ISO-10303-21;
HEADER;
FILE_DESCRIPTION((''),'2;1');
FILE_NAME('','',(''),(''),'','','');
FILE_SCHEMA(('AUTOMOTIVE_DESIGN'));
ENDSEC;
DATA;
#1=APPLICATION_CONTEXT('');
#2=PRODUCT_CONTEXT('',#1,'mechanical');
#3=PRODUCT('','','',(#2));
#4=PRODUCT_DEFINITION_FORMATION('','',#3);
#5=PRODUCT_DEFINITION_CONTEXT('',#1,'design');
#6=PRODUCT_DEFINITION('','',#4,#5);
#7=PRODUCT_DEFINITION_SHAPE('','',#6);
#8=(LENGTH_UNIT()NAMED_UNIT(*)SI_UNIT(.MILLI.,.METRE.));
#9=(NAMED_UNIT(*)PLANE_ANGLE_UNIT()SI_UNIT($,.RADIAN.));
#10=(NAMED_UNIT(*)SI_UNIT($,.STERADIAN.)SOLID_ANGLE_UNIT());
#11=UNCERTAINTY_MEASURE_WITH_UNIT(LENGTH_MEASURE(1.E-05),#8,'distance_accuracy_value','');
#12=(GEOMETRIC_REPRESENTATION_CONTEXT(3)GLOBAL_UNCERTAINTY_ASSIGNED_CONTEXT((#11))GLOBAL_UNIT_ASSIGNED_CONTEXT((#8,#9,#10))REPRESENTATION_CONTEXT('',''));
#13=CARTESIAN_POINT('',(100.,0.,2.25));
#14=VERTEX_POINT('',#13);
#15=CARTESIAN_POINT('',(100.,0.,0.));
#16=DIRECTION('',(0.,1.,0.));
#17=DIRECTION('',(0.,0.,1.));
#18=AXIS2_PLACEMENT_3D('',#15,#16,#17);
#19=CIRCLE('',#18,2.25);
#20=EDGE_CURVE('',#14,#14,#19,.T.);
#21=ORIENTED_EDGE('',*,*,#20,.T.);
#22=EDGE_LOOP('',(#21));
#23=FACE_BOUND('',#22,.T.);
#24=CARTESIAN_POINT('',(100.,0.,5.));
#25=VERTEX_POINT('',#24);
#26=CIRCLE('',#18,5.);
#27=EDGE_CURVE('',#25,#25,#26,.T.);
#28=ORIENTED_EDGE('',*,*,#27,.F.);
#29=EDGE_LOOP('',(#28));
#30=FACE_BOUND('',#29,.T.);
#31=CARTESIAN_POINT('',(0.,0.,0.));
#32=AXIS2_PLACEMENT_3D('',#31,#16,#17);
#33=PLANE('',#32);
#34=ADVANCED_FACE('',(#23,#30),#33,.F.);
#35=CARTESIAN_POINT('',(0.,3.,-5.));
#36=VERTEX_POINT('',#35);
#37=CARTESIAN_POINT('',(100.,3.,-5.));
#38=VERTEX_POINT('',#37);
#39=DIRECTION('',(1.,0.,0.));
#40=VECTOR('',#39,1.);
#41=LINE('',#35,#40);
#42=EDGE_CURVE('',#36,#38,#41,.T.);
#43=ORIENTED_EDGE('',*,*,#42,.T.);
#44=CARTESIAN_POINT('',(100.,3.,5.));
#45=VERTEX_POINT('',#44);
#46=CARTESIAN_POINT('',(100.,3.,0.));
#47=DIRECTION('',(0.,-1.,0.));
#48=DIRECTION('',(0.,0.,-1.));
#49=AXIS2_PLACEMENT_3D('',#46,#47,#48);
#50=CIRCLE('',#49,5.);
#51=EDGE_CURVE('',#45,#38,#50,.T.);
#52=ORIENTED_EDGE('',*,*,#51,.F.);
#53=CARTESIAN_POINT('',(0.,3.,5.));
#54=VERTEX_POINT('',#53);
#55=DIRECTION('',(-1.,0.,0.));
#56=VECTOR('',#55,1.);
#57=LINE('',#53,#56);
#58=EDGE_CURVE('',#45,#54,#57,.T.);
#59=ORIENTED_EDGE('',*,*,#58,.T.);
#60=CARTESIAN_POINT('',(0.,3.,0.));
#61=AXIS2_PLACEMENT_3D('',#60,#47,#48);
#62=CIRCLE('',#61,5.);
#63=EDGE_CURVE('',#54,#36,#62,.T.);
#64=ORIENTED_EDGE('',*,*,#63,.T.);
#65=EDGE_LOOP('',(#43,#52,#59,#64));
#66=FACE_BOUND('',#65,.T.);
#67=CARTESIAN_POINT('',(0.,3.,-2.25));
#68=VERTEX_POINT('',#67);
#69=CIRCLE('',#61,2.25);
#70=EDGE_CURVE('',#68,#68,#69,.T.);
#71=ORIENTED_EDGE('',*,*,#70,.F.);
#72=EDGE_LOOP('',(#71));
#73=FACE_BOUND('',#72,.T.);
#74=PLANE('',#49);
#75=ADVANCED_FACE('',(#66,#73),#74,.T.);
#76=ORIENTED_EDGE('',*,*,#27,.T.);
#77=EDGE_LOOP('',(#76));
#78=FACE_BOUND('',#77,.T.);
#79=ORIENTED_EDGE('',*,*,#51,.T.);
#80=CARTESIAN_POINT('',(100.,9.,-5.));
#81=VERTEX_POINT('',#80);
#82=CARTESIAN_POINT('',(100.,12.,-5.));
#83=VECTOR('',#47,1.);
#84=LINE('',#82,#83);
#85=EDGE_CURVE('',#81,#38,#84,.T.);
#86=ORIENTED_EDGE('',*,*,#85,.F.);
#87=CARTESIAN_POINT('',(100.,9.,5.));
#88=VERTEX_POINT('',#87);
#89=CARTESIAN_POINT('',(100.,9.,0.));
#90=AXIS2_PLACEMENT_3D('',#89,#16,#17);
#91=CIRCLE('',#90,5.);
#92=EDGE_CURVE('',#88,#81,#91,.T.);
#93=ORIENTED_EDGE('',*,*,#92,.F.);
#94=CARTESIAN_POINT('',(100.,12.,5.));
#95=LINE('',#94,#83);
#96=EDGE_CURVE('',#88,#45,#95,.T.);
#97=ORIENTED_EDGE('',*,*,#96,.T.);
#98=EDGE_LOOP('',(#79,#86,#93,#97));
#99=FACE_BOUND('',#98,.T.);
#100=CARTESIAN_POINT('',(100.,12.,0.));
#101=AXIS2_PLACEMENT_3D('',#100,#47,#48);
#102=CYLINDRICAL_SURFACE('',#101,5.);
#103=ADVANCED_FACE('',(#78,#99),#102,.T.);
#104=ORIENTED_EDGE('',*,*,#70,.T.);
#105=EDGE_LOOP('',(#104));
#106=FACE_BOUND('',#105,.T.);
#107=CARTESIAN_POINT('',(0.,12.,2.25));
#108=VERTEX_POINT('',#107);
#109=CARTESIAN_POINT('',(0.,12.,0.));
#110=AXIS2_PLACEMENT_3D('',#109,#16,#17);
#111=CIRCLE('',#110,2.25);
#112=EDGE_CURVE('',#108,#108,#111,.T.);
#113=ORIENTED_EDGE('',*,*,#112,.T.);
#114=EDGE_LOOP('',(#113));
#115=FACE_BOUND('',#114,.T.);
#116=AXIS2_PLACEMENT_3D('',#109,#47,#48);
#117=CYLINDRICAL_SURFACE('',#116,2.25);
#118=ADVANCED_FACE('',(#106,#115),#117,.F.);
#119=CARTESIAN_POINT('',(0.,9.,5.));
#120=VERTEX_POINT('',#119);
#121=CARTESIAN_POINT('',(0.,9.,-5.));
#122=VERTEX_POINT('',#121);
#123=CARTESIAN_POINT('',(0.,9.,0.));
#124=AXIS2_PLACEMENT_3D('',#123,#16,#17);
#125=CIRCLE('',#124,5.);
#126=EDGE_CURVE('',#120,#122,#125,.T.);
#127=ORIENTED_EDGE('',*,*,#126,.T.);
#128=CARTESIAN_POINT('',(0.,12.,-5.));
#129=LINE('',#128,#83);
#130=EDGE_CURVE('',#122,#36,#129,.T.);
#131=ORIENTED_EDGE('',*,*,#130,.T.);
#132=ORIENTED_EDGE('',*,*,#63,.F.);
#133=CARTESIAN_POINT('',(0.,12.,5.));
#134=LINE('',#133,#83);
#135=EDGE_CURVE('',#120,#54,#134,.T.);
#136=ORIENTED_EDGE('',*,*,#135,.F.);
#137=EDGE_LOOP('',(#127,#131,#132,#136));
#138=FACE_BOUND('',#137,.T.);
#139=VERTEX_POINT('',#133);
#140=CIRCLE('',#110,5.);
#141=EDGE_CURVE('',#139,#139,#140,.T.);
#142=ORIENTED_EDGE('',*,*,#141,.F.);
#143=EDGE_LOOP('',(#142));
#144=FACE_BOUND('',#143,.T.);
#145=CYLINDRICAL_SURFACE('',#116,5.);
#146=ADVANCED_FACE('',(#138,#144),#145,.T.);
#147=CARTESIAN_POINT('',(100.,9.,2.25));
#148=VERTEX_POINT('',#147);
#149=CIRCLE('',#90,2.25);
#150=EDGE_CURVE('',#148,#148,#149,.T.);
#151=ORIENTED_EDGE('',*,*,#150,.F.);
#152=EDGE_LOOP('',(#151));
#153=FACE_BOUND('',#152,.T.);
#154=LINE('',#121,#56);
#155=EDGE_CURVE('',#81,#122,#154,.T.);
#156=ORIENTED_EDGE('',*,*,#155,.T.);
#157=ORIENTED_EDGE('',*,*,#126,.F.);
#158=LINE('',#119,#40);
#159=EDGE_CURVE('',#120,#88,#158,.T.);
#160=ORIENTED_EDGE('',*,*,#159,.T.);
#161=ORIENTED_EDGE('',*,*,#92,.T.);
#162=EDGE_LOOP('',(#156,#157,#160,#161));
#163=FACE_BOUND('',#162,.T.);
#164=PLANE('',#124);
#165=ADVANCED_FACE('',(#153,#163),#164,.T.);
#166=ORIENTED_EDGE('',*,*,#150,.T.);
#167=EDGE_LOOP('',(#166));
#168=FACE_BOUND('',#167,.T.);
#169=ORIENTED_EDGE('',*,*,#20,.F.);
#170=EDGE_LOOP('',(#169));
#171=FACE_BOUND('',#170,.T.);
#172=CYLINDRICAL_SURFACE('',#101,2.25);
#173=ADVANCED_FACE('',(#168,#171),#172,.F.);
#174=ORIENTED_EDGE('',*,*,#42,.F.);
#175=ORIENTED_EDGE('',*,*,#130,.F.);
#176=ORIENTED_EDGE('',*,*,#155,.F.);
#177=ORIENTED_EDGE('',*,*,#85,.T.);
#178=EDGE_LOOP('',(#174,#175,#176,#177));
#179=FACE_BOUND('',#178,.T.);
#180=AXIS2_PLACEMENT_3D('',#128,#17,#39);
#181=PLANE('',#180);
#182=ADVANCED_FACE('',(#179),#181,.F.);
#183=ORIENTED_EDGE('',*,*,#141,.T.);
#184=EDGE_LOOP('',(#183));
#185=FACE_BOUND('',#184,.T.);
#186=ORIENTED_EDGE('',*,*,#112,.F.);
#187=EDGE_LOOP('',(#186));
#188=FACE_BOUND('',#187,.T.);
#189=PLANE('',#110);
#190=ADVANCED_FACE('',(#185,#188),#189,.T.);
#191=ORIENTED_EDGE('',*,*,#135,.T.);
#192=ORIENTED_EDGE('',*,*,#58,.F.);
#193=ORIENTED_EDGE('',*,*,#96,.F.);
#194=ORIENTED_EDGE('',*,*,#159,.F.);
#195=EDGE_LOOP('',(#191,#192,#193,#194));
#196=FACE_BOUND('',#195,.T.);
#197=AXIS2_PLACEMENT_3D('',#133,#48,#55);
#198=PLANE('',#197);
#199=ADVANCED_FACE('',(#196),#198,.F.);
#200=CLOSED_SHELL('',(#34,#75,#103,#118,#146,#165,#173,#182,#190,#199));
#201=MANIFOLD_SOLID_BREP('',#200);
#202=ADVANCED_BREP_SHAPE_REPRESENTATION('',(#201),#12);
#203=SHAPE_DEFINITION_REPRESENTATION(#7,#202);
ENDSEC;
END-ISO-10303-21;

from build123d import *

# Parameters (mm, degrees)
SKETCH1_R               = 2.25
BOSS_EXTRUDE1_DEPTH     = 12
CUT_EXTRUDE_THIN1_START = -3
SKETCH2_R               = 1005
SKETCH2_R_2             = 5
CUT_EXTRUDE_THIN1_DEPTH = 3
SKETCH3_R               = 1005
SKETCH3_R_2             = 5
CUT_EXTRUDE_THIN2_DEPTH = 3


with BuildPart() as part:
    # Sketch1 → Boss-Extrude1 (new body)
    with BuildSketch(Plane(origin=(0, 0, 0), x_dir=(1, 0, 0), z_dir=(0, 1, 0))):
        with BuildLine():
            Line((0, 5), (100, 5))
            ThreePointArc((100, 5), (105, 0), (100, -5))
            Line((100, -5), (0, -5))
            ThreePointArc((0, -5), (-5, 0), (0, 5))
        make_face()
        with Locations(Location((0, 0, 0), (0, 0, 270))):
            Circle(SKETCH1_R, mode=Mode.SUBTRACT)
        with Locations(Location((100, 0, 0), (0, 0, 270))):
            Circle(SKETCH1_R, mode=Mode.SUBTRACT)
    extrude(amount=BOSS_EXTRUDE1_DEPTH)

    # Sketch2 → Cut-Extrude-Thin1 (cut)
    with BuildSketch(Plane(origin=(0, 12, 0), x_dir=(1, 0, 0), z_dir=(0, 1, 0)).offset(CUT_EXTRUDE_THIN1_START)):
        Circle(SKETCH2_R)
        Circle(SKETCH2_R_2, mode=Mode.SUBTRACT)
    extrude(amount=CUT_EXTRUDE_THIN1_DEPTH, mode=Mode.SUBTRACT)

    # Sketch3 → Cut-Extrude-Thin2 (cut)
    with BuildSketch(Plane.XZ):
        with Locations((100, 0)):
            Circle(SKETCH3_R)
        with Locations((100, 0)):
            Circle(SKETCH3_R_2, mode=Mode.SUBTRACT)
    extrude(amount=-CUT_EXTRUDE_THIN2_DEPTH, mode=Mode.SUBTRACT)


solid = part.part
